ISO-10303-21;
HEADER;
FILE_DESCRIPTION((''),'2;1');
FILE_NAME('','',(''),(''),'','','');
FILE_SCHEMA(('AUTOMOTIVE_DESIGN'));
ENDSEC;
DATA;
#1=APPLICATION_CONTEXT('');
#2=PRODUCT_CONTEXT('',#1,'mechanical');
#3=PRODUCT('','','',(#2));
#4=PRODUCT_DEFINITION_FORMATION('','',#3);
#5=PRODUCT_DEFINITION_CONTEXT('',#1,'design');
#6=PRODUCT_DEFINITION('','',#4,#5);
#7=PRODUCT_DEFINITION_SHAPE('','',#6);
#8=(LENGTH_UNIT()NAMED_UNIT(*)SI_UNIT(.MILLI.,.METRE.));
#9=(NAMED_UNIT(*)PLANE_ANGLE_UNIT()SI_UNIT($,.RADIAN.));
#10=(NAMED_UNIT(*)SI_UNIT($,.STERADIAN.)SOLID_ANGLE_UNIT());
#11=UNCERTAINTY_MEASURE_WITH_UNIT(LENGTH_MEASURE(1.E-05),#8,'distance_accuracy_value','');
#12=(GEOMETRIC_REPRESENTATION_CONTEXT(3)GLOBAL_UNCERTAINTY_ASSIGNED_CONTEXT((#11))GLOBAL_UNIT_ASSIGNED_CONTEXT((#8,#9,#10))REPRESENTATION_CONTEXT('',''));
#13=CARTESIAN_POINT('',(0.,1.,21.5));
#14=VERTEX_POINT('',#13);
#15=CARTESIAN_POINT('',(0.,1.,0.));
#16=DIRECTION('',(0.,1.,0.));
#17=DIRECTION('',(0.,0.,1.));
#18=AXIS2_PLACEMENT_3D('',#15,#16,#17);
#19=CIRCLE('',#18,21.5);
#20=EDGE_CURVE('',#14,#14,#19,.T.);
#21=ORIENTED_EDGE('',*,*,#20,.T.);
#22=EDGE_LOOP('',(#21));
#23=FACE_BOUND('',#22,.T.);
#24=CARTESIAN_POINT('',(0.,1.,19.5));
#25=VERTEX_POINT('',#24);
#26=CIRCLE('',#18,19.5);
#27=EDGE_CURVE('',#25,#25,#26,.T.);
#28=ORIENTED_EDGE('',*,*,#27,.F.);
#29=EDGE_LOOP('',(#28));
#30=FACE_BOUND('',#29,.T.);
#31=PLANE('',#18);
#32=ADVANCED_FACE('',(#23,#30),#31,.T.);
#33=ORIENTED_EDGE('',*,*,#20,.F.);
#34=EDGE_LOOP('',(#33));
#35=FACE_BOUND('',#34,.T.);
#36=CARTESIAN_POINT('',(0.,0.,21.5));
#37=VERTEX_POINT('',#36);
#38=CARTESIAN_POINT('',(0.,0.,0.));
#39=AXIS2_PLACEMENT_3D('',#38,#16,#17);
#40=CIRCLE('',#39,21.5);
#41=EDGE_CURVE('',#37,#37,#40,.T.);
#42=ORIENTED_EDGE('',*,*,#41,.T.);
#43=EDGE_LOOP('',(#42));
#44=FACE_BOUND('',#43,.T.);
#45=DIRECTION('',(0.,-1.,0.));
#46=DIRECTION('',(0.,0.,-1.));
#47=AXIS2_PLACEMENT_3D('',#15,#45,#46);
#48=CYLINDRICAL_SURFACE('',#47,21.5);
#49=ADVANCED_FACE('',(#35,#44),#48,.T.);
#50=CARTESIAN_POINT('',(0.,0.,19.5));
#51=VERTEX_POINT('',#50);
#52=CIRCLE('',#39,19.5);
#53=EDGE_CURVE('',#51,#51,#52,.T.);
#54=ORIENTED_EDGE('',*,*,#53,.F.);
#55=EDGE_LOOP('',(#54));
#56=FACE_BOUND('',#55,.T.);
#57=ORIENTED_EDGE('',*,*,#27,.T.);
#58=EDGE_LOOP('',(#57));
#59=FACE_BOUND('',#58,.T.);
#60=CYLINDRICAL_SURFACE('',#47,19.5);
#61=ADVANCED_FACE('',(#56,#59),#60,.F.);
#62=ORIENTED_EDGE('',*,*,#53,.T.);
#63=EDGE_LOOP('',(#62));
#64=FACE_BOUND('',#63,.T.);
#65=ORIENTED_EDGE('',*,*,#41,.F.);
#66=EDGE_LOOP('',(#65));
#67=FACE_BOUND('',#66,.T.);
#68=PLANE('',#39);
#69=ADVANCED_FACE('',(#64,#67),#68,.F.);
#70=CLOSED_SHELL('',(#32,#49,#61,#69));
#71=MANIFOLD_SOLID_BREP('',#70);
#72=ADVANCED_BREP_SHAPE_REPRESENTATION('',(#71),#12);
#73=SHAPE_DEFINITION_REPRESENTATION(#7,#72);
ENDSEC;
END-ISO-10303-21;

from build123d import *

# Parameters (mm, degrees)
SKETCH_1_R      = 21.5
SKETCH_1_R_2    = 19.5
EXTRUDE_1_DEPTH = 1


with BuildPart() as part:
    # 草图1 → 凸台-拉伸1 (new body)
    with BuildSketch(Plane(origin=(0, 0, 0), x_dir=(1, 0, 0), z_dir=(0, 1, 0))):
        with Locations(Location((0, 0, 0), (0, 0, 270))):
            Circle(SKETCH_1_R)
        with Locations(Location((0, 0, 0), (0, 0, 270))):
            Circle(SKETCH_1_R_2, mode=Mode.SUBTRACT)
    extrude(amount=EXTRUDE_1_DEPTH)


solid = part.part
